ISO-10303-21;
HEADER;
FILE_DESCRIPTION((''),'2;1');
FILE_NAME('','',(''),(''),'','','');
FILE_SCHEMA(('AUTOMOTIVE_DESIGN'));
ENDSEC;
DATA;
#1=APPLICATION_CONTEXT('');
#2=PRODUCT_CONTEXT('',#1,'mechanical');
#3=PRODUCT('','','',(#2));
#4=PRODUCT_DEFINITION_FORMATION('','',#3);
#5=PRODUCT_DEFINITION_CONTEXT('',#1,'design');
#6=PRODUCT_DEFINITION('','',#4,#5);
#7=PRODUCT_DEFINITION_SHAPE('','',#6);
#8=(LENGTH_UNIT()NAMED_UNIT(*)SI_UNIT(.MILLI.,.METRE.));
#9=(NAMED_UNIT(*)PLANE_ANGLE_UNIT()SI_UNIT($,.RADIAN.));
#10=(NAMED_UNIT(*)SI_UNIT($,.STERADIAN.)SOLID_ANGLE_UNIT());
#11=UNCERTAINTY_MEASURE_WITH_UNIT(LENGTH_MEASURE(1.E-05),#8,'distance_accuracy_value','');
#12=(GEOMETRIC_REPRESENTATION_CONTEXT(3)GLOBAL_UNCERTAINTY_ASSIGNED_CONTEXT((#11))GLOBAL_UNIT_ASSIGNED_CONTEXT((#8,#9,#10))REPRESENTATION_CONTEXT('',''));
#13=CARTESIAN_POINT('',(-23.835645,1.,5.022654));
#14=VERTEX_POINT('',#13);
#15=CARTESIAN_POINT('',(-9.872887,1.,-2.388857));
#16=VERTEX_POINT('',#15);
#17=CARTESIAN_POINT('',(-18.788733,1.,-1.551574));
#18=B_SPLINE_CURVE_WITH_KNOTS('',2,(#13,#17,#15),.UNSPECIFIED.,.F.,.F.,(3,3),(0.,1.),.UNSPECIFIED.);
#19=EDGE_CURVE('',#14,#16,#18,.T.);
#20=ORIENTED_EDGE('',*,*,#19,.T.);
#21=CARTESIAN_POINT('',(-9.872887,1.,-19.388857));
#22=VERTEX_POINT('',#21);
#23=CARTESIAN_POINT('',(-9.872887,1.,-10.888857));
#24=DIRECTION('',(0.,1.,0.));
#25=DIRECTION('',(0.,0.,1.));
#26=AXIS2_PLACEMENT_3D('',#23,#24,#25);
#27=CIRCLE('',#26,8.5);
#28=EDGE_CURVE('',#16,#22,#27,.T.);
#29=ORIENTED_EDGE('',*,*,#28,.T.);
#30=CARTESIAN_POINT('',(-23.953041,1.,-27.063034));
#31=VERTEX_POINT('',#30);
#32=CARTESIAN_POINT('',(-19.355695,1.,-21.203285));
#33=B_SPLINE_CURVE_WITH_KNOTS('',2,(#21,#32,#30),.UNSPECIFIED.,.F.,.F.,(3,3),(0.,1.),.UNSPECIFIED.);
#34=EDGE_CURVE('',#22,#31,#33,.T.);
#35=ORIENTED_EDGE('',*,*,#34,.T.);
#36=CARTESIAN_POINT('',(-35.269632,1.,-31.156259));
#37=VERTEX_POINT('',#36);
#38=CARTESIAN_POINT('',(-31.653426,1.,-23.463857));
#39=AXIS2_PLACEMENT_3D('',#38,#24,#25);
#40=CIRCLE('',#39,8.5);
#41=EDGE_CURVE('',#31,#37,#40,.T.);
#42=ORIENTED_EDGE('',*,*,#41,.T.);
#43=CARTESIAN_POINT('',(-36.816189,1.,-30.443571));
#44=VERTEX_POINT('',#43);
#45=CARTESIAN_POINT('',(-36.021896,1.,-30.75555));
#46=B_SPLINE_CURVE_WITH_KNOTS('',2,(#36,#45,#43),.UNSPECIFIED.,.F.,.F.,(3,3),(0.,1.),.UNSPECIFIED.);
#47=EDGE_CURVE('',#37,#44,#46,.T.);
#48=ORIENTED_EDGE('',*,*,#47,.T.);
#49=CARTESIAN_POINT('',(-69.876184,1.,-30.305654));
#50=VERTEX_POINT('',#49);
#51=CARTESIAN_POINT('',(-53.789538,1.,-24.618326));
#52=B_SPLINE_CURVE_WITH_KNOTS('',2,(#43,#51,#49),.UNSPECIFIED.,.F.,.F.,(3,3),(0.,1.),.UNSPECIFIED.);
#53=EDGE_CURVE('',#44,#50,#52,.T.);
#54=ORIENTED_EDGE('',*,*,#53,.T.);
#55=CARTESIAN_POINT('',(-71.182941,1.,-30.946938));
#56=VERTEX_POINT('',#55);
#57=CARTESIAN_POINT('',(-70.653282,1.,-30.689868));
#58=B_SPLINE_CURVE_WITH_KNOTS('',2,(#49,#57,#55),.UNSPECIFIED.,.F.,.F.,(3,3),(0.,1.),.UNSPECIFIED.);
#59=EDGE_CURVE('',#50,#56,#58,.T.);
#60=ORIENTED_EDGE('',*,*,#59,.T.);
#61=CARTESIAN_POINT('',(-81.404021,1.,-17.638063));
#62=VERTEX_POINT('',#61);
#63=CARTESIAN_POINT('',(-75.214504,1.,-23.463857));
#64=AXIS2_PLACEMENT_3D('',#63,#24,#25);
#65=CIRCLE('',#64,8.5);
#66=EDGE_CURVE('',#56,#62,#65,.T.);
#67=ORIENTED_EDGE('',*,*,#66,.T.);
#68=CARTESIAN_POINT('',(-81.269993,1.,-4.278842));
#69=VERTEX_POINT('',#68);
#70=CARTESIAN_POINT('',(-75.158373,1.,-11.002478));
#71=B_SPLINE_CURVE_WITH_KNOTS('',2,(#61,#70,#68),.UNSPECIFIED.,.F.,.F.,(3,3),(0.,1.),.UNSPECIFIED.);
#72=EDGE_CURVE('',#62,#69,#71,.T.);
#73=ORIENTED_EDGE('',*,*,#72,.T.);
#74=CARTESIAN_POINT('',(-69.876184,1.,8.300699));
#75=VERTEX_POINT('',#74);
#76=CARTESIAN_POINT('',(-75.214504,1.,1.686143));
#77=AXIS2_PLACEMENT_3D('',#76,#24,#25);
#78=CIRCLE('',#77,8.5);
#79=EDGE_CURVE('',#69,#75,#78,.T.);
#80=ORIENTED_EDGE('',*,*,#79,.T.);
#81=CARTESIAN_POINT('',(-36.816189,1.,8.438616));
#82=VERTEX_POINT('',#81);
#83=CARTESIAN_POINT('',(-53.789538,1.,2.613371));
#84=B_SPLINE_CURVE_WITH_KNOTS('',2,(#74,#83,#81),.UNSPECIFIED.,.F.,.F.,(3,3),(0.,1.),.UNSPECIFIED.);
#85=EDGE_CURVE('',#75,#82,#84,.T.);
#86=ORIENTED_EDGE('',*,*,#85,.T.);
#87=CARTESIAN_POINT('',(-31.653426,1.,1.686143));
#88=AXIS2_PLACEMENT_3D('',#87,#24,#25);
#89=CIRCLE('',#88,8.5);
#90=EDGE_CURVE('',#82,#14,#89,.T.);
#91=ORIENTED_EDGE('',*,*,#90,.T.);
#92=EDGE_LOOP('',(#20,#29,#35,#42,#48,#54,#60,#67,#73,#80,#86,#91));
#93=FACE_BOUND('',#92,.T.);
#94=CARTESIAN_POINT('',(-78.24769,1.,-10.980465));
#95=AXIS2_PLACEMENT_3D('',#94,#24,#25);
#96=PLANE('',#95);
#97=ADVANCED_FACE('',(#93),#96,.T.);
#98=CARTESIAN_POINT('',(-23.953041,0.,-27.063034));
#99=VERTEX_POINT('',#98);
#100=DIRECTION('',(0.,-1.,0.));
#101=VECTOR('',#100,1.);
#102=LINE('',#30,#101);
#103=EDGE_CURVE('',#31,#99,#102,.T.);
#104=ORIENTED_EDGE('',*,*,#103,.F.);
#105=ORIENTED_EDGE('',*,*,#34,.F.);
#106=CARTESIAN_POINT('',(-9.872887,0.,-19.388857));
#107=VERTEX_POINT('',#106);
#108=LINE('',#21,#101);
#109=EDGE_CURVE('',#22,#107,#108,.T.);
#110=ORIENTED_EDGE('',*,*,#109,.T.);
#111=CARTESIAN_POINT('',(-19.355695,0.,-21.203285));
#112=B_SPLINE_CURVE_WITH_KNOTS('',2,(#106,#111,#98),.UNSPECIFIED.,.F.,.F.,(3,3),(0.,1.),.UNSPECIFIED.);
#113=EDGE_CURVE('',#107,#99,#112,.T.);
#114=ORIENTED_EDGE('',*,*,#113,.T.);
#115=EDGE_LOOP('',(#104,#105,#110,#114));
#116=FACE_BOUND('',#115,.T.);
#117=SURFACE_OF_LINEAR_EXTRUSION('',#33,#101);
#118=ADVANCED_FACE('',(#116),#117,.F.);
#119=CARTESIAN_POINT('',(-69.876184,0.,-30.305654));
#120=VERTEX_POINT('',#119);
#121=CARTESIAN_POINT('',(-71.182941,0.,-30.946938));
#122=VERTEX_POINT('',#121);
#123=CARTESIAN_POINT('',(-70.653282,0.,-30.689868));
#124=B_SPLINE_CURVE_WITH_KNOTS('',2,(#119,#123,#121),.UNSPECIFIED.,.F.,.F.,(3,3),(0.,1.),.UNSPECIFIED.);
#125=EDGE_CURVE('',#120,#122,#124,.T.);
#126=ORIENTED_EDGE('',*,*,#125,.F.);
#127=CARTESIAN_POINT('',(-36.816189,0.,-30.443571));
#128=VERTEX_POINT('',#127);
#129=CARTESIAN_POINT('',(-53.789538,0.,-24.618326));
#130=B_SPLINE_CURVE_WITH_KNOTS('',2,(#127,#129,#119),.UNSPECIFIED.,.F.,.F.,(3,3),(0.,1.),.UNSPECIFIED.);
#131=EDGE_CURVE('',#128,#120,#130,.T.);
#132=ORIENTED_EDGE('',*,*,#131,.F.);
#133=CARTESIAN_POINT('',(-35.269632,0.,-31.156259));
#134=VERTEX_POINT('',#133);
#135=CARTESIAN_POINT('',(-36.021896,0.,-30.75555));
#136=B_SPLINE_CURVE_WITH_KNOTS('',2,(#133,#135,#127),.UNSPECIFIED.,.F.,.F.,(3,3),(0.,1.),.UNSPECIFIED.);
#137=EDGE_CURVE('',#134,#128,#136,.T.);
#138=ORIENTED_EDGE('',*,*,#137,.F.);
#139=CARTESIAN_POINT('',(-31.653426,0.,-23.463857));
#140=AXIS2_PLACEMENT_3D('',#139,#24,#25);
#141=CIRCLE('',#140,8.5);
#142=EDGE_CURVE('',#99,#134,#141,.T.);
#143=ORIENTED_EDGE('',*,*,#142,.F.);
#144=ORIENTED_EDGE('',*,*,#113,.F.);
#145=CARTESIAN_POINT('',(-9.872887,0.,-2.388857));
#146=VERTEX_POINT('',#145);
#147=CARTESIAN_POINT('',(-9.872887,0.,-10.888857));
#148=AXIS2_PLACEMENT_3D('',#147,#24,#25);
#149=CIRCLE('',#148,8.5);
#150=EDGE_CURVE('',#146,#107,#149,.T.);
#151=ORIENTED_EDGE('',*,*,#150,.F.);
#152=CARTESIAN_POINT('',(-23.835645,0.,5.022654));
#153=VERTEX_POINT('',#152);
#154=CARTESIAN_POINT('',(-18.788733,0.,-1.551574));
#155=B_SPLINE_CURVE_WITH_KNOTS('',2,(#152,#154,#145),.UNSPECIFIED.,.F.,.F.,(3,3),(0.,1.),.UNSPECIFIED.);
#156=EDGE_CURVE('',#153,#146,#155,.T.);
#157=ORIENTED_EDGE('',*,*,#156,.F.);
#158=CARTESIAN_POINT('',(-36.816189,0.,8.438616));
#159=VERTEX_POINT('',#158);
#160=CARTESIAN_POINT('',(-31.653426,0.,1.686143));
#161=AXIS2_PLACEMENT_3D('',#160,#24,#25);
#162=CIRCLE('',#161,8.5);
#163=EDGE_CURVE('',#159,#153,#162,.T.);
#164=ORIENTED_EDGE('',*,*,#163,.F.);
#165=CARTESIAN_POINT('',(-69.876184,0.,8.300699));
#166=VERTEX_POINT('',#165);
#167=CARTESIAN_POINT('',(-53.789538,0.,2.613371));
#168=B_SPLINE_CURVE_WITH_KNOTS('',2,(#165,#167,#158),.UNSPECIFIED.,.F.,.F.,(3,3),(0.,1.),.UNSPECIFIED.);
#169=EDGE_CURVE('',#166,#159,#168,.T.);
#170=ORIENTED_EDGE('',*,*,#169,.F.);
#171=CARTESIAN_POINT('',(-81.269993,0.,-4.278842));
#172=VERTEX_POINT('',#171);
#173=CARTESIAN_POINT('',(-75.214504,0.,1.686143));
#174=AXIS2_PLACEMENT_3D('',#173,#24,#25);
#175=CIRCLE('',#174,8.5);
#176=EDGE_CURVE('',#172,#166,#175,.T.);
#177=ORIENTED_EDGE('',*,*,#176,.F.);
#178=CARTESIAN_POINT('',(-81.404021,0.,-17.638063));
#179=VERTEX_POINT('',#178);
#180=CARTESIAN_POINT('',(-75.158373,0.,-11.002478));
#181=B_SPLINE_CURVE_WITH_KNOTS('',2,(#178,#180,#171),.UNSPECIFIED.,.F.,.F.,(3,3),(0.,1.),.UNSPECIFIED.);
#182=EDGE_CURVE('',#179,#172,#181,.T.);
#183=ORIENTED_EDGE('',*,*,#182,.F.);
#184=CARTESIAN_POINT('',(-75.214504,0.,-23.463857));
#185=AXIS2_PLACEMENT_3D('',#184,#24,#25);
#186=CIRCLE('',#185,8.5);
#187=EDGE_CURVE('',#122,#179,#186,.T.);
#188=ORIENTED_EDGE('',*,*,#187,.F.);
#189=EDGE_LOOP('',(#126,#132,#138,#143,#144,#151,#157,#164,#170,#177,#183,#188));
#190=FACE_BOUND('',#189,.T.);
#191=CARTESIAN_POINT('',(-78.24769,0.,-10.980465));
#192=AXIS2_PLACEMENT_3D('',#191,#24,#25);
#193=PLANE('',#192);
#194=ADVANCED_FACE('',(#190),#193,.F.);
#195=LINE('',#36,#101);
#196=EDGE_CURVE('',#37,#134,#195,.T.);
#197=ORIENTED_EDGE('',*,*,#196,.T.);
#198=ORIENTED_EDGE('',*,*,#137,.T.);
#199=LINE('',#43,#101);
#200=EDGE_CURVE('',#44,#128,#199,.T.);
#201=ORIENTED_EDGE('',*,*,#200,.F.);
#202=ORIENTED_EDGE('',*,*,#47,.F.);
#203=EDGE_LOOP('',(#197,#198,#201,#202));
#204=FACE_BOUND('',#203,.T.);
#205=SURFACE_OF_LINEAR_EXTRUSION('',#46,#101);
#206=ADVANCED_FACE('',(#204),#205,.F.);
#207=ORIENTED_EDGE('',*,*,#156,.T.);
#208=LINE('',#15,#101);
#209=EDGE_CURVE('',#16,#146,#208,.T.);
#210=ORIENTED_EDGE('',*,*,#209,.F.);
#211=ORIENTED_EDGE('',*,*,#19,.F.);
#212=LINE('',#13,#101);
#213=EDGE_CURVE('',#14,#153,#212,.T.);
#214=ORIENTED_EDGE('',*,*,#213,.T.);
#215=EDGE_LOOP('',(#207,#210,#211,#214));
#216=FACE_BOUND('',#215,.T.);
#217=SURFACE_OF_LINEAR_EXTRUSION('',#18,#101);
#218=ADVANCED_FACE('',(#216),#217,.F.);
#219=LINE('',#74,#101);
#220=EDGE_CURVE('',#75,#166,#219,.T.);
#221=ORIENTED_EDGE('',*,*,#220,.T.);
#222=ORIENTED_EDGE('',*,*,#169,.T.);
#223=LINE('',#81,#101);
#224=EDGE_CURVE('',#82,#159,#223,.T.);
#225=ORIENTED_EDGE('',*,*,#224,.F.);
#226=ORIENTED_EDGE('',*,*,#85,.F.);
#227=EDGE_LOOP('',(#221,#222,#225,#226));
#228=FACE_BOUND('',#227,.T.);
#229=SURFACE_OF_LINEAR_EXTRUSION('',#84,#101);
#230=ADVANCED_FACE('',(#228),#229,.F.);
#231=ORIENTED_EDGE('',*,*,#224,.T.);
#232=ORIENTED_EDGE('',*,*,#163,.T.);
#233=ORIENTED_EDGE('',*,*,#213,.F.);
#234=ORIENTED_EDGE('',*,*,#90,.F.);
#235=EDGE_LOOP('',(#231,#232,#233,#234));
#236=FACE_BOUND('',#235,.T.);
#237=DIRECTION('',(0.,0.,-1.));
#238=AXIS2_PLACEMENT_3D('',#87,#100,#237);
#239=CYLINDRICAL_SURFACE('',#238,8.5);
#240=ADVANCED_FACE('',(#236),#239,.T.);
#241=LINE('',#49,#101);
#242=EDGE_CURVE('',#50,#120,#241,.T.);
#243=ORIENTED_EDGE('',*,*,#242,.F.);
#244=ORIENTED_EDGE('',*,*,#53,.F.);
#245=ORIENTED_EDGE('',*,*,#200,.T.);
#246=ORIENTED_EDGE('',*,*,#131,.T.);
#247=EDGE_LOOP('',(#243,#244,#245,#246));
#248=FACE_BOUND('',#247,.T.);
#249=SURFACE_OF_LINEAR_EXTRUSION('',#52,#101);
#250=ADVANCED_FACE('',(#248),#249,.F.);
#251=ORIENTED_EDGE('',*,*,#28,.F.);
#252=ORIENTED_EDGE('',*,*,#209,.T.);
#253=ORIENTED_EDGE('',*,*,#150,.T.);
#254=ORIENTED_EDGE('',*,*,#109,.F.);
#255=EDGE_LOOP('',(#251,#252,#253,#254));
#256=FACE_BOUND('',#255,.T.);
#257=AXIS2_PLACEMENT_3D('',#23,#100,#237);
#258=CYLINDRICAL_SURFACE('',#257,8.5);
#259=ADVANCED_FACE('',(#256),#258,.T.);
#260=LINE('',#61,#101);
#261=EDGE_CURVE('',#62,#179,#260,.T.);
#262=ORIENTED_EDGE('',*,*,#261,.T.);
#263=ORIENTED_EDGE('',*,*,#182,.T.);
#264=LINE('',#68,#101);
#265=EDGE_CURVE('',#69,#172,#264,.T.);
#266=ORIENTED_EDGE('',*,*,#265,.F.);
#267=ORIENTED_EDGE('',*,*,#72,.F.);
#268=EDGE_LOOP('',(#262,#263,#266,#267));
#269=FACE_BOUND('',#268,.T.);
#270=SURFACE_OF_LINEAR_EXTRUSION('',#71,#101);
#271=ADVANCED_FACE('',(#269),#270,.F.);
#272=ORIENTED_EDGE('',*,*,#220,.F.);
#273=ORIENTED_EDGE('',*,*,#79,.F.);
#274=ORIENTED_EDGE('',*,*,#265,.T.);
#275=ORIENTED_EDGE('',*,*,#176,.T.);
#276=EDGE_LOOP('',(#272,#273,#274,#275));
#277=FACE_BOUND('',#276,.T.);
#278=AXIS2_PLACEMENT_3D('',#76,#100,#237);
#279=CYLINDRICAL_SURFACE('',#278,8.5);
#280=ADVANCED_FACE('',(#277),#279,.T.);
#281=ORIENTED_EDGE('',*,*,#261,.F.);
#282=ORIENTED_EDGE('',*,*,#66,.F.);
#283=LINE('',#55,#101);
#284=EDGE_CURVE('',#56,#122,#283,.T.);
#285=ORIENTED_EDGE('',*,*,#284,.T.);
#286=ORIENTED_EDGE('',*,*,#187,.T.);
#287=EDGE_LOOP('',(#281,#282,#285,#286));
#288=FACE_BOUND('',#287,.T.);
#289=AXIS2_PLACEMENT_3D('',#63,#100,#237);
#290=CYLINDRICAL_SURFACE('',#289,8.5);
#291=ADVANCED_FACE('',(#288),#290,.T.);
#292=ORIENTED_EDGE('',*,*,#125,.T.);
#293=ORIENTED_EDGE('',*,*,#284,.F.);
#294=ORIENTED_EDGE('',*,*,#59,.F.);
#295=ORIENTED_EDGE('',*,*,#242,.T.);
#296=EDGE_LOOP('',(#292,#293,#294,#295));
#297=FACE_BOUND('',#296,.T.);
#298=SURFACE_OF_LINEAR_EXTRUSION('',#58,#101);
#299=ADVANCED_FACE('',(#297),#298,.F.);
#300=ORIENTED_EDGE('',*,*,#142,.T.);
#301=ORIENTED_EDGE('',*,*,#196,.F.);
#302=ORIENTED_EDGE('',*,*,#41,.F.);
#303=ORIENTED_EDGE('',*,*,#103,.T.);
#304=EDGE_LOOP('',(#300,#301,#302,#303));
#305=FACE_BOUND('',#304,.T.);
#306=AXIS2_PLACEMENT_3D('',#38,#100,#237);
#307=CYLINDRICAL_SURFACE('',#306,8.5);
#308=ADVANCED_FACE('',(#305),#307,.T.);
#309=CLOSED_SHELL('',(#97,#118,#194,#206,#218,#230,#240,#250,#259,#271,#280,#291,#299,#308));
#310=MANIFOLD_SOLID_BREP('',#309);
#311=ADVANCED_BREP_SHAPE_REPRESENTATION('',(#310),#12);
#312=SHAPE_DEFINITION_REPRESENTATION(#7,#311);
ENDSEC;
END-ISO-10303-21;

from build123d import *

# Parameters (mm, degrees)
BOSS_EXTRUDE1_DEPTH = 1


with BuildPart() as part:
    # Sketch2 → Boss-Extrude1 (new body)
    with BuildSketch(Plane(origin=(0, 0, 0), x_dir=(1, 0, 0), z_dir=(0, 1, 0))):
        with BuildLine():
            ThreePointArc((-71.182941142, 30.946937821), (-81.955848591, 28.641140782), (-81.404021294, 17.638062962))
            add(Edge.make_bspline(
                [(-81.404021294, 17.638062962), (-75.158372689, 11.002477672), (-81.269993216, 4.278841868)],
                knots=[0, 0, 0, 1, 1, 1], degree=2))
            ThreePointArc((-81.269993216, 4.278841868), (-81.514487403, -7.392298406), (-69.876184196, -8.300698737))
            add(Edge.make_bspline(
                [(-69.876184196, -8.300698737), (-53.789538282, -2.613370983), (-36.816188666, -8.438615516)],
                knots=[0, 0, 0, 1, 1, 1], degree=2))
            ThreePointArc((-36.816188666, -8.438615516), (-29.490215818, -9.906272337), (-23.835645267, -5.022654149))
            add(Edge.make_bspline(
                [(-23.835645267, -5.022654149), (-18.788732993, 1.551574281), (-9.872887068, 2.388856726)],
                knots=[0, 0, 0, 1, 1, 1], degree=2))
            ThreePointArc((-9.872887068, 2.388856726), (-1.372887068, 10.888856726), (-9.872887068, 19.388856726))
            add(Edge.make_bspline(
                [(-23.953041345, 27.063033935), (-19.355695248, 21.203284709), (-9.872887068, 19.388856726)],
                knots=[0, 0, 0, 1, 1, 1], degree=2))
            ThreePointArc((-23.953041345, 27.063033935), (-28.762275622, 31.45705694), (-35.26963246, 31.156258864))
            add(Edge.make_bspline(
                [(-36.816188666, 30.443570859), (-36.021895681, 30.755550467), (-35.26963246, 31.156258864)],
                knots=[0, 0, 0, 1, 1, 1], degree=2))
            add(Edge.make_bspline(
                [(-69.876184196, 30.30565408), (-53.789538282, 24.618326327), (-36.816188666, 30.443570859)],
                knots=[0, 0, 0, 1, 1, 1], degree=2))
            add(Edge.make_bspline(
                [(-69.876184196, 30.30565408), (-70.653281817, 30.689868104), (-71.182941142, 30.946937821)],
                knots=[0, 0, 0, 1, 1, 1], degree=2))
        make_face()
    extrude(amount=BOSS_EXTRUDE1_DEPTH)


solid = part.part
